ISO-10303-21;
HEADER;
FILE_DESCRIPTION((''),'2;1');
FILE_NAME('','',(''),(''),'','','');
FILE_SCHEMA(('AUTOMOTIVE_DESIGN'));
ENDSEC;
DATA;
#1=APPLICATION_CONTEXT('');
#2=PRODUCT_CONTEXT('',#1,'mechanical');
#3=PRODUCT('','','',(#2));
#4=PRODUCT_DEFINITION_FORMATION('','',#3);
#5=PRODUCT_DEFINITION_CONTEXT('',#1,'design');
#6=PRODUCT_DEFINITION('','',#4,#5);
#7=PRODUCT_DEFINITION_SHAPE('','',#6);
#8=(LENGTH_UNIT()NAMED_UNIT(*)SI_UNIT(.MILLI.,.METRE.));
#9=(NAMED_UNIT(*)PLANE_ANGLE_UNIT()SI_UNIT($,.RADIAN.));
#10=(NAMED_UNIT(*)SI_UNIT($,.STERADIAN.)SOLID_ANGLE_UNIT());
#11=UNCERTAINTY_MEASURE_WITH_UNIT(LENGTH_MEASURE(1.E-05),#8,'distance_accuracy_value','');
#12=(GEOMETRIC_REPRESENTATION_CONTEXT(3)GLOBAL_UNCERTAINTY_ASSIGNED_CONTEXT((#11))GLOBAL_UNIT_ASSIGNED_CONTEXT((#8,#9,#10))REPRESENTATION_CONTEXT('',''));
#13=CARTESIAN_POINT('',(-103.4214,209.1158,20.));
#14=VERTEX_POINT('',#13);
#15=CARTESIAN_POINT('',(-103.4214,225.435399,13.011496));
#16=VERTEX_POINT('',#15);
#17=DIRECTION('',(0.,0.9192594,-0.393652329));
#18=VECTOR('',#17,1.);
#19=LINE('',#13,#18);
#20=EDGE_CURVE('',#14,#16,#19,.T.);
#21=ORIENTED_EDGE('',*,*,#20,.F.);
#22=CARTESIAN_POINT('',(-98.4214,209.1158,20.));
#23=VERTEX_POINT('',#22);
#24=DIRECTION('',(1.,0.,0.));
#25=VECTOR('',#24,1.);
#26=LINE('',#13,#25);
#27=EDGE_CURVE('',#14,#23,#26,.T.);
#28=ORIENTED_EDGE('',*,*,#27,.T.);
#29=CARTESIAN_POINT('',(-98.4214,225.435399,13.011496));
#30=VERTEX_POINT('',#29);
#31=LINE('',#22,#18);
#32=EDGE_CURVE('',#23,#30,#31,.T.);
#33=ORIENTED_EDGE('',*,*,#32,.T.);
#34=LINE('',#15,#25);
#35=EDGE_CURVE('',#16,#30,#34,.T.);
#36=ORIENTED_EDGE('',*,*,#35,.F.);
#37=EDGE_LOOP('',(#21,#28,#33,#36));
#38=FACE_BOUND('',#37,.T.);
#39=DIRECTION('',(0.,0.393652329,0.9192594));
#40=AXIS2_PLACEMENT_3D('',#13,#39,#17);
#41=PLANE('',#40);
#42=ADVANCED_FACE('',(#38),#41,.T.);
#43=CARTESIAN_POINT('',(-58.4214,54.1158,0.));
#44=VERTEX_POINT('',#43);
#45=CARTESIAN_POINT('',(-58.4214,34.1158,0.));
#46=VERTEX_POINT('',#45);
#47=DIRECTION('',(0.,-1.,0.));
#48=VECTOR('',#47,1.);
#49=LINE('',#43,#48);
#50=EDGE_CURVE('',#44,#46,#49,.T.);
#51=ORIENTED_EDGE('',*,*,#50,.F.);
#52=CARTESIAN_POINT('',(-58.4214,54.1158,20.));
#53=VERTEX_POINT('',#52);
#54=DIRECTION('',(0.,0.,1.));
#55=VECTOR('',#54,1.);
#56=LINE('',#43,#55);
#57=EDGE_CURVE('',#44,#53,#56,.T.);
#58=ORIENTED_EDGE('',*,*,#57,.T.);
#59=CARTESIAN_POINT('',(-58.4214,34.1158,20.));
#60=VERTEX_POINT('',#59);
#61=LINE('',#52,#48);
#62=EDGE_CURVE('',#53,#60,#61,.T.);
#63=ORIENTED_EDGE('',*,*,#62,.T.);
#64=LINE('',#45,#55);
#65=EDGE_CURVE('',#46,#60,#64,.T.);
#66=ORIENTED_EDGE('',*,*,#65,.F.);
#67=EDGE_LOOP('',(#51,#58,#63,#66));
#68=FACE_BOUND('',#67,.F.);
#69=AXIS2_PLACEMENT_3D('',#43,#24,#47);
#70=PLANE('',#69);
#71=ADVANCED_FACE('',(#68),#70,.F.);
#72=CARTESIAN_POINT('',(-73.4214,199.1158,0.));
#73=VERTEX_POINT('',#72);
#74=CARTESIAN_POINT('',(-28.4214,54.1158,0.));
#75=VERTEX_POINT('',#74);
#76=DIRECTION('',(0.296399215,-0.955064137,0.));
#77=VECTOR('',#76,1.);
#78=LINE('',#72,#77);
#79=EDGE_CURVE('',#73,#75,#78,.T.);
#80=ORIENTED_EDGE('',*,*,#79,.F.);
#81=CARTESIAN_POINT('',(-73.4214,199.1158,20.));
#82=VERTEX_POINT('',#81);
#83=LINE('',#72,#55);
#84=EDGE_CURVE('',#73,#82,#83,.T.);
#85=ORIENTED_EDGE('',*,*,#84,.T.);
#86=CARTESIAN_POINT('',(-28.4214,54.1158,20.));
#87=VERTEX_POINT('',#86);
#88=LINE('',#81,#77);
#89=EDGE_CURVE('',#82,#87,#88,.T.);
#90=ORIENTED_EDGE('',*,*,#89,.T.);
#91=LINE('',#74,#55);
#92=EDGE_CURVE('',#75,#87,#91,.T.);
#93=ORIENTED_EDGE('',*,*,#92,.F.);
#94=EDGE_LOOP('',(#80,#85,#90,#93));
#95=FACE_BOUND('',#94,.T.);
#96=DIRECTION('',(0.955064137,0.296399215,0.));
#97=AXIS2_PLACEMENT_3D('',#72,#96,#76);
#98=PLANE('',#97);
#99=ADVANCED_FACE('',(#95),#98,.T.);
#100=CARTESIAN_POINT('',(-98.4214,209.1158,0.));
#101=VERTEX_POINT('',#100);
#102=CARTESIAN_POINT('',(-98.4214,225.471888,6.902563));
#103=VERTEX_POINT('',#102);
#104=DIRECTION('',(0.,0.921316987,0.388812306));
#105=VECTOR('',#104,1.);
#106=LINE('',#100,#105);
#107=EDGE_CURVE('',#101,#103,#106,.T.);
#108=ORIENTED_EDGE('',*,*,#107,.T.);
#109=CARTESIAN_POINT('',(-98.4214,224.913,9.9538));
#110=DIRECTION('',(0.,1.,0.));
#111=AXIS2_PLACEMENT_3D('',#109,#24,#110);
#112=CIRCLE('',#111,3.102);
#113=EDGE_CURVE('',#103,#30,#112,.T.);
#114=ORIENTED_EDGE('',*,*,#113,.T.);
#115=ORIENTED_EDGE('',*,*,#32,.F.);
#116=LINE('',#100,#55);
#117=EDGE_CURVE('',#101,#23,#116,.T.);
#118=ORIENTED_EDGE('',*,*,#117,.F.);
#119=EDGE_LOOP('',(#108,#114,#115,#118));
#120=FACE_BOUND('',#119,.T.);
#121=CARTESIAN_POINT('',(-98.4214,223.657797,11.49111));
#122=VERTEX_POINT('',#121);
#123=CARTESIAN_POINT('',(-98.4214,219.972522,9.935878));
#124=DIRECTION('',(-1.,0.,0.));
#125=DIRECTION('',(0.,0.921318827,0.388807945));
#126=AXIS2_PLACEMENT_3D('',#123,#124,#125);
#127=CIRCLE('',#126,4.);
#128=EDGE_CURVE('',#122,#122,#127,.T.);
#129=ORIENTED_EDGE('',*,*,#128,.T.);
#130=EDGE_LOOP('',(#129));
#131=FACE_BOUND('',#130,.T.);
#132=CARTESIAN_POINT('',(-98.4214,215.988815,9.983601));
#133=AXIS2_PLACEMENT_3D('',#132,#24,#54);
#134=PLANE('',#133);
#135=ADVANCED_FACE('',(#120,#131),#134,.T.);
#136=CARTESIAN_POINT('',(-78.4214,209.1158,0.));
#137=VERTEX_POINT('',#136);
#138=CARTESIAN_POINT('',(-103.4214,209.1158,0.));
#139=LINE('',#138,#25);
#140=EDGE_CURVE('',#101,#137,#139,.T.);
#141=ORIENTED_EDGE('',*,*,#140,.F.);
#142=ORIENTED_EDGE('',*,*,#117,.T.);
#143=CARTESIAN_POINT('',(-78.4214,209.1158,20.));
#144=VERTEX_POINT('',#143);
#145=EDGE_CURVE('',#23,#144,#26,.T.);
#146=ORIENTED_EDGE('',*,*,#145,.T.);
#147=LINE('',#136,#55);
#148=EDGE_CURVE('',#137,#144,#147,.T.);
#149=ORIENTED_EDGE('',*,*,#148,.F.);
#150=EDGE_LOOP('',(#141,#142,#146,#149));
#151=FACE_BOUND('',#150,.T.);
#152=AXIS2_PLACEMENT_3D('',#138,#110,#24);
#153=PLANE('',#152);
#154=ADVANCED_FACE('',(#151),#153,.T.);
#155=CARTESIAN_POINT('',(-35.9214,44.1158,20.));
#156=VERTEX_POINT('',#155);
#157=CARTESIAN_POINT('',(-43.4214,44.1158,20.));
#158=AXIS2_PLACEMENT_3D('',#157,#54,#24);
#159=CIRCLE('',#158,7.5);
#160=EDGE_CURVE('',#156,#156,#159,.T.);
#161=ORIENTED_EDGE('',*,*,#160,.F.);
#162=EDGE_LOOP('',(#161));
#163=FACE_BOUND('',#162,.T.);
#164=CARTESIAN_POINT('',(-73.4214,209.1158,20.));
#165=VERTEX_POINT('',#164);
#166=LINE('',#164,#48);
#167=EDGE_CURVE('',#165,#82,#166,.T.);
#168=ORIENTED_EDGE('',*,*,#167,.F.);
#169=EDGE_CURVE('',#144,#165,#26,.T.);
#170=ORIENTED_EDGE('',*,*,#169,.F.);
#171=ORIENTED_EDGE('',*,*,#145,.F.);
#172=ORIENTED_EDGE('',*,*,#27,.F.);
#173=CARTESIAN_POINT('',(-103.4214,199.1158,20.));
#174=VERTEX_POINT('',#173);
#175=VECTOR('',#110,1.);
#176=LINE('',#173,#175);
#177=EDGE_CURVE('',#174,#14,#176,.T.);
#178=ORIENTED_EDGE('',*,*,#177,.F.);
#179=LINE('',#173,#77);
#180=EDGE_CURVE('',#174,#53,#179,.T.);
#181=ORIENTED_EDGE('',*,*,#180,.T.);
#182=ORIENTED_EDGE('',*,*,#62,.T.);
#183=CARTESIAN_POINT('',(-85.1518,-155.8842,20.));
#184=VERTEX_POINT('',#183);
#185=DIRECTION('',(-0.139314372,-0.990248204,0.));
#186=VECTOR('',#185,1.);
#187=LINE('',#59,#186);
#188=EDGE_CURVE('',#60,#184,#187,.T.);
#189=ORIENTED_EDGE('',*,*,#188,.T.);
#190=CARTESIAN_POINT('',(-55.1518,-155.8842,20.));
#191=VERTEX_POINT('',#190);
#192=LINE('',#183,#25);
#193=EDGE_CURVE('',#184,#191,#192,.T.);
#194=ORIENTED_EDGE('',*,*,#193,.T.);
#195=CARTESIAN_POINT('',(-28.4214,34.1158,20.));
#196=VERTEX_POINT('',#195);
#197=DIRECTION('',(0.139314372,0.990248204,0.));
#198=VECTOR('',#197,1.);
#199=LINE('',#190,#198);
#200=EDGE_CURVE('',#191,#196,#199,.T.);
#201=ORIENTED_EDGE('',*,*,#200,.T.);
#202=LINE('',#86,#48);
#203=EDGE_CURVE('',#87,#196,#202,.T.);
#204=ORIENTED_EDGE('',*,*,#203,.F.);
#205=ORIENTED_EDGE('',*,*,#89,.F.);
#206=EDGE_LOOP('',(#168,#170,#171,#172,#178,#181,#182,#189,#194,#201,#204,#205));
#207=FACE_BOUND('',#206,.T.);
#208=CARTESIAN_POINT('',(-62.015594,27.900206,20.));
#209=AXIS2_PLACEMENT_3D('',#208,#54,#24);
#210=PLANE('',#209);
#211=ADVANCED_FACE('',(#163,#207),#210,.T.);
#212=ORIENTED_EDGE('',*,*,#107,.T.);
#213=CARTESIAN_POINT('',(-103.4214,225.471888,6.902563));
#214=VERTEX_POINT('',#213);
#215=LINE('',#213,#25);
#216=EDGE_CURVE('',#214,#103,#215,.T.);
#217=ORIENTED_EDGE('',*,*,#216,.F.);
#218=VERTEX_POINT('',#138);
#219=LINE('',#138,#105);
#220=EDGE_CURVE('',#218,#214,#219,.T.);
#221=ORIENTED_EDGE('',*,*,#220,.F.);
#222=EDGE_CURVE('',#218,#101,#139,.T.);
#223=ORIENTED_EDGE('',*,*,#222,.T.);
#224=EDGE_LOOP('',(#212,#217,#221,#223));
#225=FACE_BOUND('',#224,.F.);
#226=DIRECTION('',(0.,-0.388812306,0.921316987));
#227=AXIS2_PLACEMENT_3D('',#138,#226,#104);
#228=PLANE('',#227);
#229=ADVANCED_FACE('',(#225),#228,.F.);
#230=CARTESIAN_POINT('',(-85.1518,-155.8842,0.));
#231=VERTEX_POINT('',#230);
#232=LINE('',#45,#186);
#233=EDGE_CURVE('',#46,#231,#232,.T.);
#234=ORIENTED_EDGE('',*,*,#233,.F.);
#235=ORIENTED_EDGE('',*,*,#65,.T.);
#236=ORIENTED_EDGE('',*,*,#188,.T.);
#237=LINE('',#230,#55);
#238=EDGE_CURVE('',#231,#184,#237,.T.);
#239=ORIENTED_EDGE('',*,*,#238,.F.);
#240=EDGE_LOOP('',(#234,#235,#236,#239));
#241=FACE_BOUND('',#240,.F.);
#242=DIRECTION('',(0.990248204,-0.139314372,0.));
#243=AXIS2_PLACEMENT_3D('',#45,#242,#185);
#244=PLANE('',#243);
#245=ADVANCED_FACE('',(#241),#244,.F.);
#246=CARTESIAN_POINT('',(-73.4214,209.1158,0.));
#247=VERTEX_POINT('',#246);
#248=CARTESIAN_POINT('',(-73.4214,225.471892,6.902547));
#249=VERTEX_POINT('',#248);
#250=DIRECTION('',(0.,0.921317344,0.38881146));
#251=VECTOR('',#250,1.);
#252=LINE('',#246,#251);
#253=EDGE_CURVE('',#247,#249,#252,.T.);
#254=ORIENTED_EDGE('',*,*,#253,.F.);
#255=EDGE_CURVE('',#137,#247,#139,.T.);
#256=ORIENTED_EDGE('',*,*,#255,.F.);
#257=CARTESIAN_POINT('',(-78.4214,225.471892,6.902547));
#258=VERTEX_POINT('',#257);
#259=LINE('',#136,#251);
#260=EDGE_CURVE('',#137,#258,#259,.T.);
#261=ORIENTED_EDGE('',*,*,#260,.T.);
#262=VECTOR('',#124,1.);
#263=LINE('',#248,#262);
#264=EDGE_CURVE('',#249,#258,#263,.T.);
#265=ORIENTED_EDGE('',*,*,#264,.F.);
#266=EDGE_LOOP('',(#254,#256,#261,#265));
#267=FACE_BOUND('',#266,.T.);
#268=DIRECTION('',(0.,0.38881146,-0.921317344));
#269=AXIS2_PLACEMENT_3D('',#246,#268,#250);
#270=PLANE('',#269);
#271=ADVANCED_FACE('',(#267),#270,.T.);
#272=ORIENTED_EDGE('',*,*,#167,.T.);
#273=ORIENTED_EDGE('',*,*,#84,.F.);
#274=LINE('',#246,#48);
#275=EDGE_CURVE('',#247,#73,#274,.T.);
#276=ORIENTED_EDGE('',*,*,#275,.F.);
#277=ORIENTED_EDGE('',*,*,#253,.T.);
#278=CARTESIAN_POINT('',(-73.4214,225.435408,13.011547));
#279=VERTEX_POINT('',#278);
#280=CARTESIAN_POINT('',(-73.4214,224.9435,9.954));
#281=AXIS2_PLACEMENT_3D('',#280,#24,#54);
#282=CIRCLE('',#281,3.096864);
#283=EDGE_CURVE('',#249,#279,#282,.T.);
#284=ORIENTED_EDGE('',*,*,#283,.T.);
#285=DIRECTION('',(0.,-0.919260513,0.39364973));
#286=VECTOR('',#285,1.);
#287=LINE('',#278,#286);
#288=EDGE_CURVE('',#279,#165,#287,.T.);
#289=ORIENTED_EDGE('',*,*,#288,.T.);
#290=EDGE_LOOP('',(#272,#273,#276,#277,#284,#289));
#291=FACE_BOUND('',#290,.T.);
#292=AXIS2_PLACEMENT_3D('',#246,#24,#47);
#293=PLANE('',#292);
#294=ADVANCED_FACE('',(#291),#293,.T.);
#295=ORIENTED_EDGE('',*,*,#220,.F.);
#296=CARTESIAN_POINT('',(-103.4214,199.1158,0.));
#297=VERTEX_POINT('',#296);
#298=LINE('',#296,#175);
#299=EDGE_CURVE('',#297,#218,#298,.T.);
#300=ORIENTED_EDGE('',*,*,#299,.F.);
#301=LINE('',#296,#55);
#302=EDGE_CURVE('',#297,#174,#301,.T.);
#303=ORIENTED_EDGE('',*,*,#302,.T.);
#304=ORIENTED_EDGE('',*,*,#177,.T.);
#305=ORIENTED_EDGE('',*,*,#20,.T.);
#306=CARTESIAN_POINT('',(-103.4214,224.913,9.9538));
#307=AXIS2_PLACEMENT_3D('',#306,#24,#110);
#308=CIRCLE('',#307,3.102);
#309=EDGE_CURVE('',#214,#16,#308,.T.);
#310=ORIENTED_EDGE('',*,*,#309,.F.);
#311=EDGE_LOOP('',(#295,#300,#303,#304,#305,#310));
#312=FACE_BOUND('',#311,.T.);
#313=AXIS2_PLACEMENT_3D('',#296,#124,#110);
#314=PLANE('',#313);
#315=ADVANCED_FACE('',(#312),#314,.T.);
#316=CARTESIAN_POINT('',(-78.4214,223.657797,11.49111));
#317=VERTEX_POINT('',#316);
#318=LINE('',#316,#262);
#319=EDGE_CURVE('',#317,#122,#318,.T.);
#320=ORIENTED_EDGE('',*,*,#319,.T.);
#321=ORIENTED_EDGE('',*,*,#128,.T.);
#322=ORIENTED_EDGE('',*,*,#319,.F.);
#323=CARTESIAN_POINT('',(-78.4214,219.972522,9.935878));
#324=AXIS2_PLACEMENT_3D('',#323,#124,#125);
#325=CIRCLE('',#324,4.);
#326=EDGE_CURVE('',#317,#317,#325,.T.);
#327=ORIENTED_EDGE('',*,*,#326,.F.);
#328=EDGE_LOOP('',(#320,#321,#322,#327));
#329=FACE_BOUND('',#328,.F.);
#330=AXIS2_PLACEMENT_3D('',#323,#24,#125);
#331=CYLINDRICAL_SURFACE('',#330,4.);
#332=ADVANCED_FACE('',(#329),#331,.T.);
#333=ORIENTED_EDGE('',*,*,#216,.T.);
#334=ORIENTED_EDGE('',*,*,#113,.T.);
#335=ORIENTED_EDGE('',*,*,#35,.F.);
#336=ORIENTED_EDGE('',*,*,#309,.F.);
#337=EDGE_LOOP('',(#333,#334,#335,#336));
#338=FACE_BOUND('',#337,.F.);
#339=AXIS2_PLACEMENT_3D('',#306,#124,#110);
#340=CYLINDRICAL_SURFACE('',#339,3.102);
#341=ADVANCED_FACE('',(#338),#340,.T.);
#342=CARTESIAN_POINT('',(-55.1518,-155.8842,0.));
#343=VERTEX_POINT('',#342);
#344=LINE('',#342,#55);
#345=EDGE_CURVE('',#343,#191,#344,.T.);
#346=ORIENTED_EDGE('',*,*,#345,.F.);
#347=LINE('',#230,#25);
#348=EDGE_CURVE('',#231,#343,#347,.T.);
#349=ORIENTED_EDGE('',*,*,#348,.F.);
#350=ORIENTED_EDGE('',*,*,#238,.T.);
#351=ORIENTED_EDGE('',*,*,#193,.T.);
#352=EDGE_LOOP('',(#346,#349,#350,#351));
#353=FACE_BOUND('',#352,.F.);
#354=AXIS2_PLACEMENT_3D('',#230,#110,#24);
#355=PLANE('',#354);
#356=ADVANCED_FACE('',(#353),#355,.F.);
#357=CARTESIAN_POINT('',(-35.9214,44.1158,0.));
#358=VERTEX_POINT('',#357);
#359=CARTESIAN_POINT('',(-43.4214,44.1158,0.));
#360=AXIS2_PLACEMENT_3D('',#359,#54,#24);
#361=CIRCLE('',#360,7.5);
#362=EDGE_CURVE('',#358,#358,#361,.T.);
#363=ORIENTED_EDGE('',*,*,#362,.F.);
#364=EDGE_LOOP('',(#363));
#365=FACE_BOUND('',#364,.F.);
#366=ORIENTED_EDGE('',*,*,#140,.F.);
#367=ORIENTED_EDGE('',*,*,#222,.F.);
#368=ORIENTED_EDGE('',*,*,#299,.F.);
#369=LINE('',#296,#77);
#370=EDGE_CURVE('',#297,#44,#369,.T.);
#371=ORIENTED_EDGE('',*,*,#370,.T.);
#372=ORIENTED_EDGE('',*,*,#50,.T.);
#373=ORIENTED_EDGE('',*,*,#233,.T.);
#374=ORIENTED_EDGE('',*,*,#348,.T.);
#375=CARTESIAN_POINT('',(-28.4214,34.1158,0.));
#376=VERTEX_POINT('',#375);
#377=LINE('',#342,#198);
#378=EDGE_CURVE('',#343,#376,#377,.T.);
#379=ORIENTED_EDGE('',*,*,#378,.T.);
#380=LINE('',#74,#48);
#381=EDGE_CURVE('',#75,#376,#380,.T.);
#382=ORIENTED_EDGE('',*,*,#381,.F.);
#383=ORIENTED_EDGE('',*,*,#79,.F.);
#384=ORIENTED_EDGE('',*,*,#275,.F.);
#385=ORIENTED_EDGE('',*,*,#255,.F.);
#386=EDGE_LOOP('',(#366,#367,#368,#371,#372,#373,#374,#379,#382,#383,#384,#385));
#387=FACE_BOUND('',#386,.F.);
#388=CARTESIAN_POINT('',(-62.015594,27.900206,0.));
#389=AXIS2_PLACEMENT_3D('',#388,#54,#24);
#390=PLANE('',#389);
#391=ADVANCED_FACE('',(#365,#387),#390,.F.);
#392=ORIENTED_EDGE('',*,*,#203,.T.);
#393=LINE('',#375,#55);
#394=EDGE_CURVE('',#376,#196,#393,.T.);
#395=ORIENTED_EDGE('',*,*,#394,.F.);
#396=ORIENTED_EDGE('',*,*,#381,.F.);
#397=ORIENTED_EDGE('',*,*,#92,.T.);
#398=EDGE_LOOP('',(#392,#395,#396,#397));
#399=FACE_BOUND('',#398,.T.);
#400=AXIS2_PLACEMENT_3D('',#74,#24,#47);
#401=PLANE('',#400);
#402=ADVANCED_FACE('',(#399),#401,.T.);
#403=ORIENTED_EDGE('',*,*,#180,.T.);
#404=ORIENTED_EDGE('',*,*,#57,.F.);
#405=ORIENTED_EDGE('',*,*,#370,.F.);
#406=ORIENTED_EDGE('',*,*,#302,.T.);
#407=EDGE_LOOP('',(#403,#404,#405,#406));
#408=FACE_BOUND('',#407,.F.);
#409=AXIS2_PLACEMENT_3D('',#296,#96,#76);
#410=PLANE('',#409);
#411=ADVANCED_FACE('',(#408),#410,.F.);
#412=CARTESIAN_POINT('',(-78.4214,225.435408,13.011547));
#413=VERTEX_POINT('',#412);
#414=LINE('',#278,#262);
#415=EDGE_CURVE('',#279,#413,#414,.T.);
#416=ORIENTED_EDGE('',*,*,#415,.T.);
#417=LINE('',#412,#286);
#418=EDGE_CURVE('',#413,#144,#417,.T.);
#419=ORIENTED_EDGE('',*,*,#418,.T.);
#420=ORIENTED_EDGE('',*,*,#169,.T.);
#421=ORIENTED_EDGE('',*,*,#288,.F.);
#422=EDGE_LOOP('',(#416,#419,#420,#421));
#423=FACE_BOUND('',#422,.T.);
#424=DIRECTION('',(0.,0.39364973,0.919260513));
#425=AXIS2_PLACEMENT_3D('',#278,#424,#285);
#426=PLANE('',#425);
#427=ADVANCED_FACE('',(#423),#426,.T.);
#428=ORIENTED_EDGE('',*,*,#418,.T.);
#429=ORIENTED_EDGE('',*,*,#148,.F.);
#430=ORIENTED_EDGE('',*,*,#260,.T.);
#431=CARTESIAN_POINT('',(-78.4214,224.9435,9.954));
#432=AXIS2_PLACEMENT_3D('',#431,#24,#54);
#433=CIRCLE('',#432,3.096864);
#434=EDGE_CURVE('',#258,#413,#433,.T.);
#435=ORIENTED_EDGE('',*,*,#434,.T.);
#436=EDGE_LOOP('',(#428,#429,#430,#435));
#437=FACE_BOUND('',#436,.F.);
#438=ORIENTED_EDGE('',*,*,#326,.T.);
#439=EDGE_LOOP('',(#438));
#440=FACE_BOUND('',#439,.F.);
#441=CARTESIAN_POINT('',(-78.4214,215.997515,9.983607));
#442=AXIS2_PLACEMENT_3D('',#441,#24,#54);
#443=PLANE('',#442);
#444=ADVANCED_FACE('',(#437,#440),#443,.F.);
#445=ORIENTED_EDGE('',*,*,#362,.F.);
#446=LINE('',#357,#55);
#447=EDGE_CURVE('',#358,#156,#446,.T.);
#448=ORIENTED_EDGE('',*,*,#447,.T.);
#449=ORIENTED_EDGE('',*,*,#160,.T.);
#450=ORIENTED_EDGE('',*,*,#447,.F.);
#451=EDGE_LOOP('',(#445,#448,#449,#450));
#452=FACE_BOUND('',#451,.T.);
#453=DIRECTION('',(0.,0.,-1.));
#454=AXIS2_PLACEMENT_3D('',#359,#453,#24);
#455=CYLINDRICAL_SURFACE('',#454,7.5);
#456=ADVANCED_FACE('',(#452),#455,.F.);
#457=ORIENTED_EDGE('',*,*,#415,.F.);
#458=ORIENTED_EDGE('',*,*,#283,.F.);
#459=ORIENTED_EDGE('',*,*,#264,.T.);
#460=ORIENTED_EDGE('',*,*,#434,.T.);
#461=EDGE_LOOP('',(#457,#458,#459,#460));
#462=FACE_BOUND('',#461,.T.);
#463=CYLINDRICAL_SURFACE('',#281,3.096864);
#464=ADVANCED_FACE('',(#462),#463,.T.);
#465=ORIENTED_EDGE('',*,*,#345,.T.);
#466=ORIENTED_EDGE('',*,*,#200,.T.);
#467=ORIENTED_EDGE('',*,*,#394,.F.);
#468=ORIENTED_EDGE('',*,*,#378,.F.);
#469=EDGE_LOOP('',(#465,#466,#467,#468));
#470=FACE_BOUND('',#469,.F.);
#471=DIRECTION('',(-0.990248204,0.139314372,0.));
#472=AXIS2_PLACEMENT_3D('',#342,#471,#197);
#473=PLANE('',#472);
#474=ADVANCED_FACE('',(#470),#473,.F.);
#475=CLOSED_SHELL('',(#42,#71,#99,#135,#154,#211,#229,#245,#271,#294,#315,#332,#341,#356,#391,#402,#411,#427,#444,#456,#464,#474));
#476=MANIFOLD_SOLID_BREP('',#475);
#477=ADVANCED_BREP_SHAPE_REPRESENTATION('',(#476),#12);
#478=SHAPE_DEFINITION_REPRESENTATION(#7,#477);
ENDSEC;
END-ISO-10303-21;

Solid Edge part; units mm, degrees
sketch "Sketch1" plane through (0, 0, 0) normal (0, 0, 1) x (1, 0, 0)
  circle A0 centre (-43.4214, 44.1158) radius 7.5
  line L0 (-103.4214, 199.1158) -> (-58.4214, 54.1158)
  line L1 (-58.4214, 54.1158) -> (-58.4214, 34.1158)
  line L2 (-58.4214, 34.1158) -> (-85.1518, -155.8842)
  line L3 (-85.1518, -155.8842) -> (-55.1518, -155.8842)
  line L4 (-55.1518, -155.8842) -> (-28.4214, 34.1158)
  line L5 (-28.4214, 54.1158) -> (-28.4214, 34.1158)
  line L6 (-73.4214, 199.1158) -> (-28.4214, 54.1158)
  line L7 (-73.4214, 209.1158) -> (-73.4214, 199.1158)
  line L8 (-103.4214, 209.1158) -> (-73.4214, 209.1158)
  line L9 (-103.4214, 199.1158) -> (-103.4214, 209.1158)
  dimension "D1" = 20
  dimension "D2" = 10
  dimension "D3" = 30
  dimension "D4" = 10
  dimension "D5" = 20
  dimension "D6" = 15
  dimension "D7" = 160
  dimension "D8" = 200
  dimension "D9" = 30
extrude "Protrusion1" add sketch "Sketch1" along normal blind 20
sketch "Sketch2" plane through (-73.4214, 6.6158, 20) normal (1, 0, 0) x (0, 0, 1)
  line L0 (-20, -202.5) -> (-13.0975, -218.8561)
  arc A0 (-13.0975, -218.8561) -> (-6.9885, -218.8196) centre (-10.046, -218.3277) ccw
  line L1 (-6.9885, -218.8196) -> (0, -202.5)
  line L2 (-20, -202.5) -> (0, -202.5)
extrude "ExtrudedProtrusion_3" add sketch "Sketch2" against normal blind 5
sketch "Sketch3" plane through (-103.4214, 204.1158, 10) normal (-1, 0, 0) x (0, 1, 0)
  line L0 (5, 10) -> (21.3561, 3.0975)
  arc A0 (21.3561, 3.0975) -> (21.3196, -3.0115) centre (20.7972, 0.0462) cw
  line L1 (5, -10) -> (21.3196, -3.0115)
  line L2 (5, 10) -> (5, -10)
extrude "ExtrudedProtrusion_7" add sketch "Sketch3" against normal blind 5
sketch "Sketch4" plane through (-78.4214, 219.9429, 5) normal (-1, 0, 0) x (0, 0.9213, 0.3888)
  circle A0 centre (1.9464, -4.536) radius 4
  dimension "D1" = 8
extrude "Protrusion2" add sketch "Sketch4" along normal up to vertex (20 mm away)
